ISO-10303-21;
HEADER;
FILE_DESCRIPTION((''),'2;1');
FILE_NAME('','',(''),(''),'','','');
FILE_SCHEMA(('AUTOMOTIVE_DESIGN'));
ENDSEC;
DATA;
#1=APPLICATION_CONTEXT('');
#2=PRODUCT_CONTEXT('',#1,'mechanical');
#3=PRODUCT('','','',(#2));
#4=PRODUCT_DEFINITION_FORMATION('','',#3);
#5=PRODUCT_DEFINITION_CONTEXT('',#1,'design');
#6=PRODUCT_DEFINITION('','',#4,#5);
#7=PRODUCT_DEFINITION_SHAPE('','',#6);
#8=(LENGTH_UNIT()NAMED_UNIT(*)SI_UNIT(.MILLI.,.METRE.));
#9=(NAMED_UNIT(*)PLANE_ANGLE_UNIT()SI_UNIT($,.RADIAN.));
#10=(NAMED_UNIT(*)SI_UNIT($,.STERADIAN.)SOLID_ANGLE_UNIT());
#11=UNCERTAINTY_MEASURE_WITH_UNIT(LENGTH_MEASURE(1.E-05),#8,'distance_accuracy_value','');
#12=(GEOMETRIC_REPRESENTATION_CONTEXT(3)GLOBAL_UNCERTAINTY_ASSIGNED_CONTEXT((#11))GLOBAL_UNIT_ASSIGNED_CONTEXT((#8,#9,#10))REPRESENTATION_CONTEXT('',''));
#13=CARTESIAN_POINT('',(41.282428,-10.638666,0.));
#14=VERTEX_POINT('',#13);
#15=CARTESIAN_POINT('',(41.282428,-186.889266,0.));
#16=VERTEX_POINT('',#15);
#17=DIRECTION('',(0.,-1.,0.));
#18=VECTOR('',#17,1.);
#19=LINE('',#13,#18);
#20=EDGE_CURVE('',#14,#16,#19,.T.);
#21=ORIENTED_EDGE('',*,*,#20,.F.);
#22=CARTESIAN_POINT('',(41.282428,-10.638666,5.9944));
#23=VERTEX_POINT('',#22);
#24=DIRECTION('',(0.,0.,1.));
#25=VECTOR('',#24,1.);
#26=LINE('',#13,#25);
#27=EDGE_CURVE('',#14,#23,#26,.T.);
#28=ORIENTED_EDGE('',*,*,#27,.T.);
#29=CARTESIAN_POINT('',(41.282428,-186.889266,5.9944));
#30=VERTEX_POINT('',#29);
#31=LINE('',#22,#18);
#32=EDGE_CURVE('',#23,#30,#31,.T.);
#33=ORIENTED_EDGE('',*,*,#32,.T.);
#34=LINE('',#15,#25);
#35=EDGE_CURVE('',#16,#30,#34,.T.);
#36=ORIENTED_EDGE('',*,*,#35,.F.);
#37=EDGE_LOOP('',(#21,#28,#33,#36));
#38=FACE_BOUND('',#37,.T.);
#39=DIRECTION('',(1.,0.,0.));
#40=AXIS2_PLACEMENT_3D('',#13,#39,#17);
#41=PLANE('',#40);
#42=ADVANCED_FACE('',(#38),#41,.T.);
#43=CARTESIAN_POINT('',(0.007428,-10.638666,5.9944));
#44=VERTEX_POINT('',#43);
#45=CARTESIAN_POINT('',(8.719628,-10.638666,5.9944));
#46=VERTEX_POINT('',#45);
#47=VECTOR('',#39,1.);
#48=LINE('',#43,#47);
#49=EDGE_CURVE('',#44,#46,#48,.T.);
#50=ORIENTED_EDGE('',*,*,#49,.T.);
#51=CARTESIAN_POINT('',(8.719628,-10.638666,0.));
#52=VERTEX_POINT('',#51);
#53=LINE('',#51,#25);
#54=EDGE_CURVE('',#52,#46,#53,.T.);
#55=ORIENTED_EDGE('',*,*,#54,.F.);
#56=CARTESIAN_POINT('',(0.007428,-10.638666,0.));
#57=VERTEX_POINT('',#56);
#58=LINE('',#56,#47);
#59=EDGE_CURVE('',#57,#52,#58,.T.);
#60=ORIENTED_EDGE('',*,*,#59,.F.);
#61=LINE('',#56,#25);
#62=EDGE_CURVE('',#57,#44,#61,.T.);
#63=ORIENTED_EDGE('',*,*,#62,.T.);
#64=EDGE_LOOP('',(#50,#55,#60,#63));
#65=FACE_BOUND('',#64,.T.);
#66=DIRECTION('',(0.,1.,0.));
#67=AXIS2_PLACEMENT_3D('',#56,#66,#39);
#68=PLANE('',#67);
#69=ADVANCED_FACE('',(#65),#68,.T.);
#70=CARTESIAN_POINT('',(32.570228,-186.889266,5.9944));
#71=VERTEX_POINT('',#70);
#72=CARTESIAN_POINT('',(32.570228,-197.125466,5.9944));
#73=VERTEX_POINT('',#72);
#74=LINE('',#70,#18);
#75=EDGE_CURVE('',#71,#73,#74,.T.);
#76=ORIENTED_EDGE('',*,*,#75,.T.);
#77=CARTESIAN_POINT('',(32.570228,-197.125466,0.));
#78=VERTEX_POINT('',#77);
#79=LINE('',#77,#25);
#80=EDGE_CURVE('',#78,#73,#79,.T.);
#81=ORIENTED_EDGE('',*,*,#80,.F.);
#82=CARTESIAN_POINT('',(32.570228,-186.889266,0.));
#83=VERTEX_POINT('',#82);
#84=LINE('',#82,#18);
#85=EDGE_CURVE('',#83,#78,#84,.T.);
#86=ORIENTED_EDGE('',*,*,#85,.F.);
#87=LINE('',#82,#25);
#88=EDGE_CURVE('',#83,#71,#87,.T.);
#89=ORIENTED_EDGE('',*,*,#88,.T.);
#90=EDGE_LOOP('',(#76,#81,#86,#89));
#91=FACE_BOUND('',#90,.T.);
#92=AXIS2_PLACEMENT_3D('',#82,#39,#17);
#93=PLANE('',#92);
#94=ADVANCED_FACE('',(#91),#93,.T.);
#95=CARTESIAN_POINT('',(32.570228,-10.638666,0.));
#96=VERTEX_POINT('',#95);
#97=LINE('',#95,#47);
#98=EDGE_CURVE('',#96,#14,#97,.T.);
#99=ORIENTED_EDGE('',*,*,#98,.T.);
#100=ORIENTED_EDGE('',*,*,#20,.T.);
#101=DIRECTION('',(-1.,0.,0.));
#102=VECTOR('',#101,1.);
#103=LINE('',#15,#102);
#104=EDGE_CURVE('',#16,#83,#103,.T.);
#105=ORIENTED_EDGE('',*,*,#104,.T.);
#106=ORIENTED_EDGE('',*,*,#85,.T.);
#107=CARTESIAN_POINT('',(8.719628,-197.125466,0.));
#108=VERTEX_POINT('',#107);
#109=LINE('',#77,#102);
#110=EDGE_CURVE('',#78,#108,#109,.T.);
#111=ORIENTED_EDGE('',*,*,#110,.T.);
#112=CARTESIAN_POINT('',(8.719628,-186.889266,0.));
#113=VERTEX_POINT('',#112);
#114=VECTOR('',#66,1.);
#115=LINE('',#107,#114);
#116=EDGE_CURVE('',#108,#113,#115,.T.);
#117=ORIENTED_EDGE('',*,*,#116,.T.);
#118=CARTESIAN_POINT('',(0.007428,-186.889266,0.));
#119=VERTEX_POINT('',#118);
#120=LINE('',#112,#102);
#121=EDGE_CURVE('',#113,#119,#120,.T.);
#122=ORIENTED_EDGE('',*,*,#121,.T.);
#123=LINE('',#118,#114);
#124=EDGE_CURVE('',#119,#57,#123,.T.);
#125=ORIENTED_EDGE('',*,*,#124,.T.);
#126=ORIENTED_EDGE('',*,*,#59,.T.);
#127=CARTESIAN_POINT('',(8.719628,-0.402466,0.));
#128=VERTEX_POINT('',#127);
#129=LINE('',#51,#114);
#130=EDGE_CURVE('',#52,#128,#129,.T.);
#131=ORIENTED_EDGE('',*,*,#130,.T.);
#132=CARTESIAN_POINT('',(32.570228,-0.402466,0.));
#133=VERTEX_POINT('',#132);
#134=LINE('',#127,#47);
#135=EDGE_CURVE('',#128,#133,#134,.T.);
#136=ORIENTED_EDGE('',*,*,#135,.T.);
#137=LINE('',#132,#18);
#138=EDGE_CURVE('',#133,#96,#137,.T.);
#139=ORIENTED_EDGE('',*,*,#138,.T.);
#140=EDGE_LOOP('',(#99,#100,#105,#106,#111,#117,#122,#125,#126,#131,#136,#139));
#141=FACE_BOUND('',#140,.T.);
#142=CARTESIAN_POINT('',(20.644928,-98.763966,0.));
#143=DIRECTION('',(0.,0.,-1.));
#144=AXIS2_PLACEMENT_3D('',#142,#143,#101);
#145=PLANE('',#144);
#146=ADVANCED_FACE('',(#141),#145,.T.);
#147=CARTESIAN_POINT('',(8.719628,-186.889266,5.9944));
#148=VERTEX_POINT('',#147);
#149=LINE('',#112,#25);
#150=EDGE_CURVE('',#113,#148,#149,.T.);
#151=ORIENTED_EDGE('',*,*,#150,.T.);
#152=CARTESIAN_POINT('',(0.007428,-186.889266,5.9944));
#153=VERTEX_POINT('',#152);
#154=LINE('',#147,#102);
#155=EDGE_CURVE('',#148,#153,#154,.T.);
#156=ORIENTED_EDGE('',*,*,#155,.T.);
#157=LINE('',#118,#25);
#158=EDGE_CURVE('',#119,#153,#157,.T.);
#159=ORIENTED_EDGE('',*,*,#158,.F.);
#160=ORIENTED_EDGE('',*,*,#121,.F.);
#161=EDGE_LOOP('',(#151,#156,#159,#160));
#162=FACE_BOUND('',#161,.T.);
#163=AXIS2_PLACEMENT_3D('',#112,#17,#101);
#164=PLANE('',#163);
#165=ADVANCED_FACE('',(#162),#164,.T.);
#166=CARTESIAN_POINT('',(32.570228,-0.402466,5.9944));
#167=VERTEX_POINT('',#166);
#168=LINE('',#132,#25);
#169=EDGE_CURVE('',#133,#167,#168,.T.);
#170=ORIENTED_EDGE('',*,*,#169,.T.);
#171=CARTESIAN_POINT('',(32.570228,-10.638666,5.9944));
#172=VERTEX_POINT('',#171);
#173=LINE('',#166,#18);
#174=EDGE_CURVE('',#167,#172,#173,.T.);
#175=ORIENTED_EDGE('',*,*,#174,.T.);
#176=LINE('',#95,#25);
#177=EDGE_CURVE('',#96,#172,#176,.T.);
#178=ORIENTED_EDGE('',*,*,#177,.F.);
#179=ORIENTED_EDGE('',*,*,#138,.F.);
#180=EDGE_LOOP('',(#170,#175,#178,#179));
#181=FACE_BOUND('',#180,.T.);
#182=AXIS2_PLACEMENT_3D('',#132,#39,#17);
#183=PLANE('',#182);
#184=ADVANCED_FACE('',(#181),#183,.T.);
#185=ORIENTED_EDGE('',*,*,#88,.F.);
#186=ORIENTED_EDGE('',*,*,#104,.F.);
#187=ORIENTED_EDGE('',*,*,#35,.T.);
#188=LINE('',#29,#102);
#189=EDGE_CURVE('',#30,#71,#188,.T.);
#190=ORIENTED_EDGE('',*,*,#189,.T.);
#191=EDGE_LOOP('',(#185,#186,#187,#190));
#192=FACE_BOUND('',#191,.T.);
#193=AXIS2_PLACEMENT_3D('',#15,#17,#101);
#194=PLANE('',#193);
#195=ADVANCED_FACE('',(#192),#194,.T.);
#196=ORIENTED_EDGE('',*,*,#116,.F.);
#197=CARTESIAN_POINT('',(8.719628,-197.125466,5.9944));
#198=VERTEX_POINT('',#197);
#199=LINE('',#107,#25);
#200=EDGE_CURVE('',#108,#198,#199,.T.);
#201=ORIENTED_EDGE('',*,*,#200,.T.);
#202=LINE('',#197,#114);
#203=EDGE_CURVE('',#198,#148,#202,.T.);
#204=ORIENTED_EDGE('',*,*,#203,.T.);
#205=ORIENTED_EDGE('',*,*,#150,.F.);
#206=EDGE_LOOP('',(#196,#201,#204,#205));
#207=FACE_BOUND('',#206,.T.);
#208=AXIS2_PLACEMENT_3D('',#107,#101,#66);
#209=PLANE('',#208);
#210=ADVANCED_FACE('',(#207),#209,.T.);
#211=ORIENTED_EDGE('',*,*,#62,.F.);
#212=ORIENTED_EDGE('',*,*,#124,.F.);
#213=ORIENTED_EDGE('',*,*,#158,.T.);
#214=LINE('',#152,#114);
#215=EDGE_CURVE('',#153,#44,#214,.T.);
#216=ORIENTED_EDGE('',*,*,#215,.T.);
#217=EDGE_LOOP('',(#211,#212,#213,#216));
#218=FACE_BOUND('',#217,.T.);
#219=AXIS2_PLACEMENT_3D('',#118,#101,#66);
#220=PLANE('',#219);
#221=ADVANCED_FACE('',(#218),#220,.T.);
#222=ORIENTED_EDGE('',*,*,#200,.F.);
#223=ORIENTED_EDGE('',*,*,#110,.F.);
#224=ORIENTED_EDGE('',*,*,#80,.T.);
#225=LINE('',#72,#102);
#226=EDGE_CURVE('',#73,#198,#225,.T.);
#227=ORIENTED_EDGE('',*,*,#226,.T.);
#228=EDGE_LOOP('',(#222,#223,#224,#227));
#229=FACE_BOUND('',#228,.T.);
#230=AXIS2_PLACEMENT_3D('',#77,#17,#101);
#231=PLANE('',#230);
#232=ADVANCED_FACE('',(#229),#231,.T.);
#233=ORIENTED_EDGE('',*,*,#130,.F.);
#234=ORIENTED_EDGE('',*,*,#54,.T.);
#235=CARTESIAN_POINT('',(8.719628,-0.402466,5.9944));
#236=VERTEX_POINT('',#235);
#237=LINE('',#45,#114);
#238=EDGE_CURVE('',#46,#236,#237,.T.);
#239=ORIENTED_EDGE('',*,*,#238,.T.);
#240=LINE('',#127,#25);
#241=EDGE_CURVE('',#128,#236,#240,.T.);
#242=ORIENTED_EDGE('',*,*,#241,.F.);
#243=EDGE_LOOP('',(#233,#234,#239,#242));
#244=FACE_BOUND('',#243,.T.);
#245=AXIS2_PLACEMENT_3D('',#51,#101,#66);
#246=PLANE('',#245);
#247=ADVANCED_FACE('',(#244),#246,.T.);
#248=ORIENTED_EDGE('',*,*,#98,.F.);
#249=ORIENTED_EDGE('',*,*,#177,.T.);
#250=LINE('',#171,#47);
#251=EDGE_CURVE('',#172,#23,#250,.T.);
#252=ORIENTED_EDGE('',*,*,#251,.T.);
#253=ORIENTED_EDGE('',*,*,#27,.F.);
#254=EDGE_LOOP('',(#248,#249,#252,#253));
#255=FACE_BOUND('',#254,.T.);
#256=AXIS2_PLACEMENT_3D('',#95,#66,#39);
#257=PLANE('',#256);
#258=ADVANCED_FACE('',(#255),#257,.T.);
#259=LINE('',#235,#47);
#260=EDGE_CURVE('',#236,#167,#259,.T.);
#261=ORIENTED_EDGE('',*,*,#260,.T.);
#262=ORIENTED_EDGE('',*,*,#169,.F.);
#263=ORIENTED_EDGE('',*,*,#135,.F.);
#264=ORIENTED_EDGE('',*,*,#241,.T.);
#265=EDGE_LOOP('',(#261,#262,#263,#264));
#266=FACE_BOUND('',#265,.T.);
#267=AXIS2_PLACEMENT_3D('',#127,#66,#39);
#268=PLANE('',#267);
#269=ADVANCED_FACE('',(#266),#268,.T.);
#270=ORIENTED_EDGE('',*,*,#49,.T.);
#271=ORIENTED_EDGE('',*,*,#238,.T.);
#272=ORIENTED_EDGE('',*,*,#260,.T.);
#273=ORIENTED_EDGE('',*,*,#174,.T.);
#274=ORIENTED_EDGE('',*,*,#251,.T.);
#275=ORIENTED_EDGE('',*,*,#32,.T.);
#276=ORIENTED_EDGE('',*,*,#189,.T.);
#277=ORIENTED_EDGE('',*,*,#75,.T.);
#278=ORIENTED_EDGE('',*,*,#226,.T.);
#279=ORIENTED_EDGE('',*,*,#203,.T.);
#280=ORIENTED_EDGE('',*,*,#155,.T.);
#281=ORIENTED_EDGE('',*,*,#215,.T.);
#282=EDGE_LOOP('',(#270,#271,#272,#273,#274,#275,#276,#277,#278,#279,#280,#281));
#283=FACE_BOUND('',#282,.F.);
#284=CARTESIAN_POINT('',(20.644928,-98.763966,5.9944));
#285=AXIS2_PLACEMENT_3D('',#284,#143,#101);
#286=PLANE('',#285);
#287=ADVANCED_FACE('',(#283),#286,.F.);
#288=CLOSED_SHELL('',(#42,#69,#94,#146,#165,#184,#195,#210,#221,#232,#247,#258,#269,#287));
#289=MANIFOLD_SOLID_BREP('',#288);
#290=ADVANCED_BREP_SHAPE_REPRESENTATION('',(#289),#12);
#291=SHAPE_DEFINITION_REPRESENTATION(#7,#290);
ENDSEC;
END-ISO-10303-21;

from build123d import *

# Parameters (mm, degrees)
EXTRUDE_DEPTH = 5.9944


with BuildPart() as part:
    # Sketch → Extrude (new body)
    with BuildSketch(Plane.XY):
        Polygon((0.007428, -10.638666), (8.719628, -10.638666), (8.719628, -0.402466), (32.570228, -0.402466), (32.570228, -10.638666), (41.282428, -10.638666), (41.282428, -186.889266), (32.570228, -186.889266), (32.570228, -197.125466), (8.719628, -197.125466), (8.719628, -186.889266), (0.007428, -186.889266), align=None)
    extrude(amount=EXTRUDE_DEPTH)


solid = part.part
